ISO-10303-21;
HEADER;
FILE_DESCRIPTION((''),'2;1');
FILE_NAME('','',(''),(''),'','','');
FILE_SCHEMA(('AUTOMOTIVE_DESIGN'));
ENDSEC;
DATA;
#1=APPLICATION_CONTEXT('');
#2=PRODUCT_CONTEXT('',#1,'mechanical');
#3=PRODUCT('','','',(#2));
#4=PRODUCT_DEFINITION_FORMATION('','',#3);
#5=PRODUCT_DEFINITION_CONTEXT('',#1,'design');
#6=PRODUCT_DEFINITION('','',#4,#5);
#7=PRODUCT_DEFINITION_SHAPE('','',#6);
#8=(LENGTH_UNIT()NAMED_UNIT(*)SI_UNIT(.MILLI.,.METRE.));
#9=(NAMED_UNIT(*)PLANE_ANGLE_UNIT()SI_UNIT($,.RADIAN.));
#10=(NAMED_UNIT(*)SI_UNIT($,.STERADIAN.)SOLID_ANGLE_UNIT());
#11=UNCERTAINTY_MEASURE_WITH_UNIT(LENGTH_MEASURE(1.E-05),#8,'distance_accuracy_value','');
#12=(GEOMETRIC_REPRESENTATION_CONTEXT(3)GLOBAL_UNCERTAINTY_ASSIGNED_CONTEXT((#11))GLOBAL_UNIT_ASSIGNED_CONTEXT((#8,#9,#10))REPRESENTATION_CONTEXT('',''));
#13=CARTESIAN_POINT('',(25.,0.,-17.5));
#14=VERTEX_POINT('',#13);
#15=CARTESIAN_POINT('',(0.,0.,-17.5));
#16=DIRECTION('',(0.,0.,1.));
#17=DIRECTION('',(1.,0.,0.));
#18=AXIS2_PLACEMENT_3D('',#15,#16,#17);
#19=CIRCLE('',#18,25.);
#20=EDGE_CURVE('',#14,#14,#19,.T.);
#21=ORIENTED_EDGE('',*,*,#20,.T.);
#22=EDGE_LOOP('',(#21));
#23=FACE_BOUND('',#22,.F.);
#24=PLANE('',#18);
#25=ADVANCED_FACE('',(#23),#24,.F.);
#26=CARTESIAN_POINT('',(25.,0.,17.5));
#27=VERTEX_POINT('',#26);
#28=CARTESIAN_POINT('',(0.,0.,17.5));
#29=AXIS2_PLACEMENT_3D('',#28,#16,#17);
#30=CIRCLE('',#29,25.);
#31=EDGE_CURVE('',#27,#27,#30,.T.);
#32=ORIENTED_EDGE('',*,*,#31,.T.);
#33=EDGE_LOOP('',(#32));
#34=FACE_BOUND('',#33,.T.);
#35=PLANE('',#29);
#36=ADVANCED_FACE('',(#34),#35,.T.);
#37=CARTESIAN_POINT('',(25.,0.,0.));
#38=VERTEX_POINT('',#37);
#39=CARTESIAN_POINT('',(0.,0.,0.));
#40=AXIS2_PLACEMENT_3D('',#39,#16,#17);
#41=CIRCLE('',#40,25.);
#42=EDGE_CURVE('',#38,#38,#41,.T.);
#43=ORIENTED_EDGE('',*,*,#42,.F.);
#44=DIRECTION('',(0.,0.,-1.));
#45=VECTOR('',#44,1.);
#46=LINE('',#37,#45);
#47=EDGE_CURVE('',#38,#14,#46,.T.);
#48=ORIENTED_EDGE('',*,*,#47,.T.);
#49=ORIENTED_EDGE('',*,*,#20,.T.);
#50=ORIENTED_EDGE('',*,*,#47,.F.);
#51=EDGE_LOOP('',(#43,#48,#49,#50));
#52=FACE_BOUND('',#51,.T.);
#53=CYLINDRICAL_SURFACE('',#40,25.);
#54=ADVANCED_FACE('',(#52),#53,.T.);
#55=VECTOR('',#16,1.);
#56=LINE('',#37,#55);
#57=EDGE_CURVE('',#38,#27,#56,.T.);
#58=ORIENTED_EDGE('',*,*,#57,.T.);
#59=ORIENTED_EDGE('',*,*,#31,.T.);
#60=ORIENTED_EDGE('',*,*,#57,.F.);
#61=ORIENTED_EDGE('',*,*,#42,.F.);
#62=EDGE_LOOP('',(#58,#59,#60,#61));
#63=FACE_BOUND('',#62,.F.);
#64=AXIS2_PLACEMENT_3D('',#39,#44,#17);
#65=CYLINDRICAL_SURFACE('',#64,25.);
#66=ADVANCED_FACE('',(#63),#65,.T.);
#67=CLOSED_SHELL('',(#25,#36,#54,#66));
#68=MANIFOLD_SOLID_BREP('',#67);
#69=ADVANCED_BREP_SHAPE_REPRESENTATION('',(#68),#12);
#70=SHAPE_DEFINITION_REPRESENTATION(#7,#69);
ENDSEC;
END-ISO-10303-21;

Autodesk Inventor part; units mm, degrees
ref_plane "YZ Plane" through (0, 0, 0) normal (1, 0, 0) x (0, 1, 0)
ref_plane "XZ Plane" through (0, 0, 0) normal (0, 1, 0) x (-1, 0, 0)
ref_plane "XY Plane" through (0, 0, 0) normal (0, 0, 1) x (1, 0, 0)
sketch "スケッチ1" plane through (0, 0, 0) normal (0, 0, 1) x (1, 0, 0)
  circle A0 centre (0, 0) radius 25
  dimension "d0" = 50
extrude "押し出し1" add sketch "スケッチ1" along normal mid plane 35
properties part number "EndEffector" material "ゴム"
